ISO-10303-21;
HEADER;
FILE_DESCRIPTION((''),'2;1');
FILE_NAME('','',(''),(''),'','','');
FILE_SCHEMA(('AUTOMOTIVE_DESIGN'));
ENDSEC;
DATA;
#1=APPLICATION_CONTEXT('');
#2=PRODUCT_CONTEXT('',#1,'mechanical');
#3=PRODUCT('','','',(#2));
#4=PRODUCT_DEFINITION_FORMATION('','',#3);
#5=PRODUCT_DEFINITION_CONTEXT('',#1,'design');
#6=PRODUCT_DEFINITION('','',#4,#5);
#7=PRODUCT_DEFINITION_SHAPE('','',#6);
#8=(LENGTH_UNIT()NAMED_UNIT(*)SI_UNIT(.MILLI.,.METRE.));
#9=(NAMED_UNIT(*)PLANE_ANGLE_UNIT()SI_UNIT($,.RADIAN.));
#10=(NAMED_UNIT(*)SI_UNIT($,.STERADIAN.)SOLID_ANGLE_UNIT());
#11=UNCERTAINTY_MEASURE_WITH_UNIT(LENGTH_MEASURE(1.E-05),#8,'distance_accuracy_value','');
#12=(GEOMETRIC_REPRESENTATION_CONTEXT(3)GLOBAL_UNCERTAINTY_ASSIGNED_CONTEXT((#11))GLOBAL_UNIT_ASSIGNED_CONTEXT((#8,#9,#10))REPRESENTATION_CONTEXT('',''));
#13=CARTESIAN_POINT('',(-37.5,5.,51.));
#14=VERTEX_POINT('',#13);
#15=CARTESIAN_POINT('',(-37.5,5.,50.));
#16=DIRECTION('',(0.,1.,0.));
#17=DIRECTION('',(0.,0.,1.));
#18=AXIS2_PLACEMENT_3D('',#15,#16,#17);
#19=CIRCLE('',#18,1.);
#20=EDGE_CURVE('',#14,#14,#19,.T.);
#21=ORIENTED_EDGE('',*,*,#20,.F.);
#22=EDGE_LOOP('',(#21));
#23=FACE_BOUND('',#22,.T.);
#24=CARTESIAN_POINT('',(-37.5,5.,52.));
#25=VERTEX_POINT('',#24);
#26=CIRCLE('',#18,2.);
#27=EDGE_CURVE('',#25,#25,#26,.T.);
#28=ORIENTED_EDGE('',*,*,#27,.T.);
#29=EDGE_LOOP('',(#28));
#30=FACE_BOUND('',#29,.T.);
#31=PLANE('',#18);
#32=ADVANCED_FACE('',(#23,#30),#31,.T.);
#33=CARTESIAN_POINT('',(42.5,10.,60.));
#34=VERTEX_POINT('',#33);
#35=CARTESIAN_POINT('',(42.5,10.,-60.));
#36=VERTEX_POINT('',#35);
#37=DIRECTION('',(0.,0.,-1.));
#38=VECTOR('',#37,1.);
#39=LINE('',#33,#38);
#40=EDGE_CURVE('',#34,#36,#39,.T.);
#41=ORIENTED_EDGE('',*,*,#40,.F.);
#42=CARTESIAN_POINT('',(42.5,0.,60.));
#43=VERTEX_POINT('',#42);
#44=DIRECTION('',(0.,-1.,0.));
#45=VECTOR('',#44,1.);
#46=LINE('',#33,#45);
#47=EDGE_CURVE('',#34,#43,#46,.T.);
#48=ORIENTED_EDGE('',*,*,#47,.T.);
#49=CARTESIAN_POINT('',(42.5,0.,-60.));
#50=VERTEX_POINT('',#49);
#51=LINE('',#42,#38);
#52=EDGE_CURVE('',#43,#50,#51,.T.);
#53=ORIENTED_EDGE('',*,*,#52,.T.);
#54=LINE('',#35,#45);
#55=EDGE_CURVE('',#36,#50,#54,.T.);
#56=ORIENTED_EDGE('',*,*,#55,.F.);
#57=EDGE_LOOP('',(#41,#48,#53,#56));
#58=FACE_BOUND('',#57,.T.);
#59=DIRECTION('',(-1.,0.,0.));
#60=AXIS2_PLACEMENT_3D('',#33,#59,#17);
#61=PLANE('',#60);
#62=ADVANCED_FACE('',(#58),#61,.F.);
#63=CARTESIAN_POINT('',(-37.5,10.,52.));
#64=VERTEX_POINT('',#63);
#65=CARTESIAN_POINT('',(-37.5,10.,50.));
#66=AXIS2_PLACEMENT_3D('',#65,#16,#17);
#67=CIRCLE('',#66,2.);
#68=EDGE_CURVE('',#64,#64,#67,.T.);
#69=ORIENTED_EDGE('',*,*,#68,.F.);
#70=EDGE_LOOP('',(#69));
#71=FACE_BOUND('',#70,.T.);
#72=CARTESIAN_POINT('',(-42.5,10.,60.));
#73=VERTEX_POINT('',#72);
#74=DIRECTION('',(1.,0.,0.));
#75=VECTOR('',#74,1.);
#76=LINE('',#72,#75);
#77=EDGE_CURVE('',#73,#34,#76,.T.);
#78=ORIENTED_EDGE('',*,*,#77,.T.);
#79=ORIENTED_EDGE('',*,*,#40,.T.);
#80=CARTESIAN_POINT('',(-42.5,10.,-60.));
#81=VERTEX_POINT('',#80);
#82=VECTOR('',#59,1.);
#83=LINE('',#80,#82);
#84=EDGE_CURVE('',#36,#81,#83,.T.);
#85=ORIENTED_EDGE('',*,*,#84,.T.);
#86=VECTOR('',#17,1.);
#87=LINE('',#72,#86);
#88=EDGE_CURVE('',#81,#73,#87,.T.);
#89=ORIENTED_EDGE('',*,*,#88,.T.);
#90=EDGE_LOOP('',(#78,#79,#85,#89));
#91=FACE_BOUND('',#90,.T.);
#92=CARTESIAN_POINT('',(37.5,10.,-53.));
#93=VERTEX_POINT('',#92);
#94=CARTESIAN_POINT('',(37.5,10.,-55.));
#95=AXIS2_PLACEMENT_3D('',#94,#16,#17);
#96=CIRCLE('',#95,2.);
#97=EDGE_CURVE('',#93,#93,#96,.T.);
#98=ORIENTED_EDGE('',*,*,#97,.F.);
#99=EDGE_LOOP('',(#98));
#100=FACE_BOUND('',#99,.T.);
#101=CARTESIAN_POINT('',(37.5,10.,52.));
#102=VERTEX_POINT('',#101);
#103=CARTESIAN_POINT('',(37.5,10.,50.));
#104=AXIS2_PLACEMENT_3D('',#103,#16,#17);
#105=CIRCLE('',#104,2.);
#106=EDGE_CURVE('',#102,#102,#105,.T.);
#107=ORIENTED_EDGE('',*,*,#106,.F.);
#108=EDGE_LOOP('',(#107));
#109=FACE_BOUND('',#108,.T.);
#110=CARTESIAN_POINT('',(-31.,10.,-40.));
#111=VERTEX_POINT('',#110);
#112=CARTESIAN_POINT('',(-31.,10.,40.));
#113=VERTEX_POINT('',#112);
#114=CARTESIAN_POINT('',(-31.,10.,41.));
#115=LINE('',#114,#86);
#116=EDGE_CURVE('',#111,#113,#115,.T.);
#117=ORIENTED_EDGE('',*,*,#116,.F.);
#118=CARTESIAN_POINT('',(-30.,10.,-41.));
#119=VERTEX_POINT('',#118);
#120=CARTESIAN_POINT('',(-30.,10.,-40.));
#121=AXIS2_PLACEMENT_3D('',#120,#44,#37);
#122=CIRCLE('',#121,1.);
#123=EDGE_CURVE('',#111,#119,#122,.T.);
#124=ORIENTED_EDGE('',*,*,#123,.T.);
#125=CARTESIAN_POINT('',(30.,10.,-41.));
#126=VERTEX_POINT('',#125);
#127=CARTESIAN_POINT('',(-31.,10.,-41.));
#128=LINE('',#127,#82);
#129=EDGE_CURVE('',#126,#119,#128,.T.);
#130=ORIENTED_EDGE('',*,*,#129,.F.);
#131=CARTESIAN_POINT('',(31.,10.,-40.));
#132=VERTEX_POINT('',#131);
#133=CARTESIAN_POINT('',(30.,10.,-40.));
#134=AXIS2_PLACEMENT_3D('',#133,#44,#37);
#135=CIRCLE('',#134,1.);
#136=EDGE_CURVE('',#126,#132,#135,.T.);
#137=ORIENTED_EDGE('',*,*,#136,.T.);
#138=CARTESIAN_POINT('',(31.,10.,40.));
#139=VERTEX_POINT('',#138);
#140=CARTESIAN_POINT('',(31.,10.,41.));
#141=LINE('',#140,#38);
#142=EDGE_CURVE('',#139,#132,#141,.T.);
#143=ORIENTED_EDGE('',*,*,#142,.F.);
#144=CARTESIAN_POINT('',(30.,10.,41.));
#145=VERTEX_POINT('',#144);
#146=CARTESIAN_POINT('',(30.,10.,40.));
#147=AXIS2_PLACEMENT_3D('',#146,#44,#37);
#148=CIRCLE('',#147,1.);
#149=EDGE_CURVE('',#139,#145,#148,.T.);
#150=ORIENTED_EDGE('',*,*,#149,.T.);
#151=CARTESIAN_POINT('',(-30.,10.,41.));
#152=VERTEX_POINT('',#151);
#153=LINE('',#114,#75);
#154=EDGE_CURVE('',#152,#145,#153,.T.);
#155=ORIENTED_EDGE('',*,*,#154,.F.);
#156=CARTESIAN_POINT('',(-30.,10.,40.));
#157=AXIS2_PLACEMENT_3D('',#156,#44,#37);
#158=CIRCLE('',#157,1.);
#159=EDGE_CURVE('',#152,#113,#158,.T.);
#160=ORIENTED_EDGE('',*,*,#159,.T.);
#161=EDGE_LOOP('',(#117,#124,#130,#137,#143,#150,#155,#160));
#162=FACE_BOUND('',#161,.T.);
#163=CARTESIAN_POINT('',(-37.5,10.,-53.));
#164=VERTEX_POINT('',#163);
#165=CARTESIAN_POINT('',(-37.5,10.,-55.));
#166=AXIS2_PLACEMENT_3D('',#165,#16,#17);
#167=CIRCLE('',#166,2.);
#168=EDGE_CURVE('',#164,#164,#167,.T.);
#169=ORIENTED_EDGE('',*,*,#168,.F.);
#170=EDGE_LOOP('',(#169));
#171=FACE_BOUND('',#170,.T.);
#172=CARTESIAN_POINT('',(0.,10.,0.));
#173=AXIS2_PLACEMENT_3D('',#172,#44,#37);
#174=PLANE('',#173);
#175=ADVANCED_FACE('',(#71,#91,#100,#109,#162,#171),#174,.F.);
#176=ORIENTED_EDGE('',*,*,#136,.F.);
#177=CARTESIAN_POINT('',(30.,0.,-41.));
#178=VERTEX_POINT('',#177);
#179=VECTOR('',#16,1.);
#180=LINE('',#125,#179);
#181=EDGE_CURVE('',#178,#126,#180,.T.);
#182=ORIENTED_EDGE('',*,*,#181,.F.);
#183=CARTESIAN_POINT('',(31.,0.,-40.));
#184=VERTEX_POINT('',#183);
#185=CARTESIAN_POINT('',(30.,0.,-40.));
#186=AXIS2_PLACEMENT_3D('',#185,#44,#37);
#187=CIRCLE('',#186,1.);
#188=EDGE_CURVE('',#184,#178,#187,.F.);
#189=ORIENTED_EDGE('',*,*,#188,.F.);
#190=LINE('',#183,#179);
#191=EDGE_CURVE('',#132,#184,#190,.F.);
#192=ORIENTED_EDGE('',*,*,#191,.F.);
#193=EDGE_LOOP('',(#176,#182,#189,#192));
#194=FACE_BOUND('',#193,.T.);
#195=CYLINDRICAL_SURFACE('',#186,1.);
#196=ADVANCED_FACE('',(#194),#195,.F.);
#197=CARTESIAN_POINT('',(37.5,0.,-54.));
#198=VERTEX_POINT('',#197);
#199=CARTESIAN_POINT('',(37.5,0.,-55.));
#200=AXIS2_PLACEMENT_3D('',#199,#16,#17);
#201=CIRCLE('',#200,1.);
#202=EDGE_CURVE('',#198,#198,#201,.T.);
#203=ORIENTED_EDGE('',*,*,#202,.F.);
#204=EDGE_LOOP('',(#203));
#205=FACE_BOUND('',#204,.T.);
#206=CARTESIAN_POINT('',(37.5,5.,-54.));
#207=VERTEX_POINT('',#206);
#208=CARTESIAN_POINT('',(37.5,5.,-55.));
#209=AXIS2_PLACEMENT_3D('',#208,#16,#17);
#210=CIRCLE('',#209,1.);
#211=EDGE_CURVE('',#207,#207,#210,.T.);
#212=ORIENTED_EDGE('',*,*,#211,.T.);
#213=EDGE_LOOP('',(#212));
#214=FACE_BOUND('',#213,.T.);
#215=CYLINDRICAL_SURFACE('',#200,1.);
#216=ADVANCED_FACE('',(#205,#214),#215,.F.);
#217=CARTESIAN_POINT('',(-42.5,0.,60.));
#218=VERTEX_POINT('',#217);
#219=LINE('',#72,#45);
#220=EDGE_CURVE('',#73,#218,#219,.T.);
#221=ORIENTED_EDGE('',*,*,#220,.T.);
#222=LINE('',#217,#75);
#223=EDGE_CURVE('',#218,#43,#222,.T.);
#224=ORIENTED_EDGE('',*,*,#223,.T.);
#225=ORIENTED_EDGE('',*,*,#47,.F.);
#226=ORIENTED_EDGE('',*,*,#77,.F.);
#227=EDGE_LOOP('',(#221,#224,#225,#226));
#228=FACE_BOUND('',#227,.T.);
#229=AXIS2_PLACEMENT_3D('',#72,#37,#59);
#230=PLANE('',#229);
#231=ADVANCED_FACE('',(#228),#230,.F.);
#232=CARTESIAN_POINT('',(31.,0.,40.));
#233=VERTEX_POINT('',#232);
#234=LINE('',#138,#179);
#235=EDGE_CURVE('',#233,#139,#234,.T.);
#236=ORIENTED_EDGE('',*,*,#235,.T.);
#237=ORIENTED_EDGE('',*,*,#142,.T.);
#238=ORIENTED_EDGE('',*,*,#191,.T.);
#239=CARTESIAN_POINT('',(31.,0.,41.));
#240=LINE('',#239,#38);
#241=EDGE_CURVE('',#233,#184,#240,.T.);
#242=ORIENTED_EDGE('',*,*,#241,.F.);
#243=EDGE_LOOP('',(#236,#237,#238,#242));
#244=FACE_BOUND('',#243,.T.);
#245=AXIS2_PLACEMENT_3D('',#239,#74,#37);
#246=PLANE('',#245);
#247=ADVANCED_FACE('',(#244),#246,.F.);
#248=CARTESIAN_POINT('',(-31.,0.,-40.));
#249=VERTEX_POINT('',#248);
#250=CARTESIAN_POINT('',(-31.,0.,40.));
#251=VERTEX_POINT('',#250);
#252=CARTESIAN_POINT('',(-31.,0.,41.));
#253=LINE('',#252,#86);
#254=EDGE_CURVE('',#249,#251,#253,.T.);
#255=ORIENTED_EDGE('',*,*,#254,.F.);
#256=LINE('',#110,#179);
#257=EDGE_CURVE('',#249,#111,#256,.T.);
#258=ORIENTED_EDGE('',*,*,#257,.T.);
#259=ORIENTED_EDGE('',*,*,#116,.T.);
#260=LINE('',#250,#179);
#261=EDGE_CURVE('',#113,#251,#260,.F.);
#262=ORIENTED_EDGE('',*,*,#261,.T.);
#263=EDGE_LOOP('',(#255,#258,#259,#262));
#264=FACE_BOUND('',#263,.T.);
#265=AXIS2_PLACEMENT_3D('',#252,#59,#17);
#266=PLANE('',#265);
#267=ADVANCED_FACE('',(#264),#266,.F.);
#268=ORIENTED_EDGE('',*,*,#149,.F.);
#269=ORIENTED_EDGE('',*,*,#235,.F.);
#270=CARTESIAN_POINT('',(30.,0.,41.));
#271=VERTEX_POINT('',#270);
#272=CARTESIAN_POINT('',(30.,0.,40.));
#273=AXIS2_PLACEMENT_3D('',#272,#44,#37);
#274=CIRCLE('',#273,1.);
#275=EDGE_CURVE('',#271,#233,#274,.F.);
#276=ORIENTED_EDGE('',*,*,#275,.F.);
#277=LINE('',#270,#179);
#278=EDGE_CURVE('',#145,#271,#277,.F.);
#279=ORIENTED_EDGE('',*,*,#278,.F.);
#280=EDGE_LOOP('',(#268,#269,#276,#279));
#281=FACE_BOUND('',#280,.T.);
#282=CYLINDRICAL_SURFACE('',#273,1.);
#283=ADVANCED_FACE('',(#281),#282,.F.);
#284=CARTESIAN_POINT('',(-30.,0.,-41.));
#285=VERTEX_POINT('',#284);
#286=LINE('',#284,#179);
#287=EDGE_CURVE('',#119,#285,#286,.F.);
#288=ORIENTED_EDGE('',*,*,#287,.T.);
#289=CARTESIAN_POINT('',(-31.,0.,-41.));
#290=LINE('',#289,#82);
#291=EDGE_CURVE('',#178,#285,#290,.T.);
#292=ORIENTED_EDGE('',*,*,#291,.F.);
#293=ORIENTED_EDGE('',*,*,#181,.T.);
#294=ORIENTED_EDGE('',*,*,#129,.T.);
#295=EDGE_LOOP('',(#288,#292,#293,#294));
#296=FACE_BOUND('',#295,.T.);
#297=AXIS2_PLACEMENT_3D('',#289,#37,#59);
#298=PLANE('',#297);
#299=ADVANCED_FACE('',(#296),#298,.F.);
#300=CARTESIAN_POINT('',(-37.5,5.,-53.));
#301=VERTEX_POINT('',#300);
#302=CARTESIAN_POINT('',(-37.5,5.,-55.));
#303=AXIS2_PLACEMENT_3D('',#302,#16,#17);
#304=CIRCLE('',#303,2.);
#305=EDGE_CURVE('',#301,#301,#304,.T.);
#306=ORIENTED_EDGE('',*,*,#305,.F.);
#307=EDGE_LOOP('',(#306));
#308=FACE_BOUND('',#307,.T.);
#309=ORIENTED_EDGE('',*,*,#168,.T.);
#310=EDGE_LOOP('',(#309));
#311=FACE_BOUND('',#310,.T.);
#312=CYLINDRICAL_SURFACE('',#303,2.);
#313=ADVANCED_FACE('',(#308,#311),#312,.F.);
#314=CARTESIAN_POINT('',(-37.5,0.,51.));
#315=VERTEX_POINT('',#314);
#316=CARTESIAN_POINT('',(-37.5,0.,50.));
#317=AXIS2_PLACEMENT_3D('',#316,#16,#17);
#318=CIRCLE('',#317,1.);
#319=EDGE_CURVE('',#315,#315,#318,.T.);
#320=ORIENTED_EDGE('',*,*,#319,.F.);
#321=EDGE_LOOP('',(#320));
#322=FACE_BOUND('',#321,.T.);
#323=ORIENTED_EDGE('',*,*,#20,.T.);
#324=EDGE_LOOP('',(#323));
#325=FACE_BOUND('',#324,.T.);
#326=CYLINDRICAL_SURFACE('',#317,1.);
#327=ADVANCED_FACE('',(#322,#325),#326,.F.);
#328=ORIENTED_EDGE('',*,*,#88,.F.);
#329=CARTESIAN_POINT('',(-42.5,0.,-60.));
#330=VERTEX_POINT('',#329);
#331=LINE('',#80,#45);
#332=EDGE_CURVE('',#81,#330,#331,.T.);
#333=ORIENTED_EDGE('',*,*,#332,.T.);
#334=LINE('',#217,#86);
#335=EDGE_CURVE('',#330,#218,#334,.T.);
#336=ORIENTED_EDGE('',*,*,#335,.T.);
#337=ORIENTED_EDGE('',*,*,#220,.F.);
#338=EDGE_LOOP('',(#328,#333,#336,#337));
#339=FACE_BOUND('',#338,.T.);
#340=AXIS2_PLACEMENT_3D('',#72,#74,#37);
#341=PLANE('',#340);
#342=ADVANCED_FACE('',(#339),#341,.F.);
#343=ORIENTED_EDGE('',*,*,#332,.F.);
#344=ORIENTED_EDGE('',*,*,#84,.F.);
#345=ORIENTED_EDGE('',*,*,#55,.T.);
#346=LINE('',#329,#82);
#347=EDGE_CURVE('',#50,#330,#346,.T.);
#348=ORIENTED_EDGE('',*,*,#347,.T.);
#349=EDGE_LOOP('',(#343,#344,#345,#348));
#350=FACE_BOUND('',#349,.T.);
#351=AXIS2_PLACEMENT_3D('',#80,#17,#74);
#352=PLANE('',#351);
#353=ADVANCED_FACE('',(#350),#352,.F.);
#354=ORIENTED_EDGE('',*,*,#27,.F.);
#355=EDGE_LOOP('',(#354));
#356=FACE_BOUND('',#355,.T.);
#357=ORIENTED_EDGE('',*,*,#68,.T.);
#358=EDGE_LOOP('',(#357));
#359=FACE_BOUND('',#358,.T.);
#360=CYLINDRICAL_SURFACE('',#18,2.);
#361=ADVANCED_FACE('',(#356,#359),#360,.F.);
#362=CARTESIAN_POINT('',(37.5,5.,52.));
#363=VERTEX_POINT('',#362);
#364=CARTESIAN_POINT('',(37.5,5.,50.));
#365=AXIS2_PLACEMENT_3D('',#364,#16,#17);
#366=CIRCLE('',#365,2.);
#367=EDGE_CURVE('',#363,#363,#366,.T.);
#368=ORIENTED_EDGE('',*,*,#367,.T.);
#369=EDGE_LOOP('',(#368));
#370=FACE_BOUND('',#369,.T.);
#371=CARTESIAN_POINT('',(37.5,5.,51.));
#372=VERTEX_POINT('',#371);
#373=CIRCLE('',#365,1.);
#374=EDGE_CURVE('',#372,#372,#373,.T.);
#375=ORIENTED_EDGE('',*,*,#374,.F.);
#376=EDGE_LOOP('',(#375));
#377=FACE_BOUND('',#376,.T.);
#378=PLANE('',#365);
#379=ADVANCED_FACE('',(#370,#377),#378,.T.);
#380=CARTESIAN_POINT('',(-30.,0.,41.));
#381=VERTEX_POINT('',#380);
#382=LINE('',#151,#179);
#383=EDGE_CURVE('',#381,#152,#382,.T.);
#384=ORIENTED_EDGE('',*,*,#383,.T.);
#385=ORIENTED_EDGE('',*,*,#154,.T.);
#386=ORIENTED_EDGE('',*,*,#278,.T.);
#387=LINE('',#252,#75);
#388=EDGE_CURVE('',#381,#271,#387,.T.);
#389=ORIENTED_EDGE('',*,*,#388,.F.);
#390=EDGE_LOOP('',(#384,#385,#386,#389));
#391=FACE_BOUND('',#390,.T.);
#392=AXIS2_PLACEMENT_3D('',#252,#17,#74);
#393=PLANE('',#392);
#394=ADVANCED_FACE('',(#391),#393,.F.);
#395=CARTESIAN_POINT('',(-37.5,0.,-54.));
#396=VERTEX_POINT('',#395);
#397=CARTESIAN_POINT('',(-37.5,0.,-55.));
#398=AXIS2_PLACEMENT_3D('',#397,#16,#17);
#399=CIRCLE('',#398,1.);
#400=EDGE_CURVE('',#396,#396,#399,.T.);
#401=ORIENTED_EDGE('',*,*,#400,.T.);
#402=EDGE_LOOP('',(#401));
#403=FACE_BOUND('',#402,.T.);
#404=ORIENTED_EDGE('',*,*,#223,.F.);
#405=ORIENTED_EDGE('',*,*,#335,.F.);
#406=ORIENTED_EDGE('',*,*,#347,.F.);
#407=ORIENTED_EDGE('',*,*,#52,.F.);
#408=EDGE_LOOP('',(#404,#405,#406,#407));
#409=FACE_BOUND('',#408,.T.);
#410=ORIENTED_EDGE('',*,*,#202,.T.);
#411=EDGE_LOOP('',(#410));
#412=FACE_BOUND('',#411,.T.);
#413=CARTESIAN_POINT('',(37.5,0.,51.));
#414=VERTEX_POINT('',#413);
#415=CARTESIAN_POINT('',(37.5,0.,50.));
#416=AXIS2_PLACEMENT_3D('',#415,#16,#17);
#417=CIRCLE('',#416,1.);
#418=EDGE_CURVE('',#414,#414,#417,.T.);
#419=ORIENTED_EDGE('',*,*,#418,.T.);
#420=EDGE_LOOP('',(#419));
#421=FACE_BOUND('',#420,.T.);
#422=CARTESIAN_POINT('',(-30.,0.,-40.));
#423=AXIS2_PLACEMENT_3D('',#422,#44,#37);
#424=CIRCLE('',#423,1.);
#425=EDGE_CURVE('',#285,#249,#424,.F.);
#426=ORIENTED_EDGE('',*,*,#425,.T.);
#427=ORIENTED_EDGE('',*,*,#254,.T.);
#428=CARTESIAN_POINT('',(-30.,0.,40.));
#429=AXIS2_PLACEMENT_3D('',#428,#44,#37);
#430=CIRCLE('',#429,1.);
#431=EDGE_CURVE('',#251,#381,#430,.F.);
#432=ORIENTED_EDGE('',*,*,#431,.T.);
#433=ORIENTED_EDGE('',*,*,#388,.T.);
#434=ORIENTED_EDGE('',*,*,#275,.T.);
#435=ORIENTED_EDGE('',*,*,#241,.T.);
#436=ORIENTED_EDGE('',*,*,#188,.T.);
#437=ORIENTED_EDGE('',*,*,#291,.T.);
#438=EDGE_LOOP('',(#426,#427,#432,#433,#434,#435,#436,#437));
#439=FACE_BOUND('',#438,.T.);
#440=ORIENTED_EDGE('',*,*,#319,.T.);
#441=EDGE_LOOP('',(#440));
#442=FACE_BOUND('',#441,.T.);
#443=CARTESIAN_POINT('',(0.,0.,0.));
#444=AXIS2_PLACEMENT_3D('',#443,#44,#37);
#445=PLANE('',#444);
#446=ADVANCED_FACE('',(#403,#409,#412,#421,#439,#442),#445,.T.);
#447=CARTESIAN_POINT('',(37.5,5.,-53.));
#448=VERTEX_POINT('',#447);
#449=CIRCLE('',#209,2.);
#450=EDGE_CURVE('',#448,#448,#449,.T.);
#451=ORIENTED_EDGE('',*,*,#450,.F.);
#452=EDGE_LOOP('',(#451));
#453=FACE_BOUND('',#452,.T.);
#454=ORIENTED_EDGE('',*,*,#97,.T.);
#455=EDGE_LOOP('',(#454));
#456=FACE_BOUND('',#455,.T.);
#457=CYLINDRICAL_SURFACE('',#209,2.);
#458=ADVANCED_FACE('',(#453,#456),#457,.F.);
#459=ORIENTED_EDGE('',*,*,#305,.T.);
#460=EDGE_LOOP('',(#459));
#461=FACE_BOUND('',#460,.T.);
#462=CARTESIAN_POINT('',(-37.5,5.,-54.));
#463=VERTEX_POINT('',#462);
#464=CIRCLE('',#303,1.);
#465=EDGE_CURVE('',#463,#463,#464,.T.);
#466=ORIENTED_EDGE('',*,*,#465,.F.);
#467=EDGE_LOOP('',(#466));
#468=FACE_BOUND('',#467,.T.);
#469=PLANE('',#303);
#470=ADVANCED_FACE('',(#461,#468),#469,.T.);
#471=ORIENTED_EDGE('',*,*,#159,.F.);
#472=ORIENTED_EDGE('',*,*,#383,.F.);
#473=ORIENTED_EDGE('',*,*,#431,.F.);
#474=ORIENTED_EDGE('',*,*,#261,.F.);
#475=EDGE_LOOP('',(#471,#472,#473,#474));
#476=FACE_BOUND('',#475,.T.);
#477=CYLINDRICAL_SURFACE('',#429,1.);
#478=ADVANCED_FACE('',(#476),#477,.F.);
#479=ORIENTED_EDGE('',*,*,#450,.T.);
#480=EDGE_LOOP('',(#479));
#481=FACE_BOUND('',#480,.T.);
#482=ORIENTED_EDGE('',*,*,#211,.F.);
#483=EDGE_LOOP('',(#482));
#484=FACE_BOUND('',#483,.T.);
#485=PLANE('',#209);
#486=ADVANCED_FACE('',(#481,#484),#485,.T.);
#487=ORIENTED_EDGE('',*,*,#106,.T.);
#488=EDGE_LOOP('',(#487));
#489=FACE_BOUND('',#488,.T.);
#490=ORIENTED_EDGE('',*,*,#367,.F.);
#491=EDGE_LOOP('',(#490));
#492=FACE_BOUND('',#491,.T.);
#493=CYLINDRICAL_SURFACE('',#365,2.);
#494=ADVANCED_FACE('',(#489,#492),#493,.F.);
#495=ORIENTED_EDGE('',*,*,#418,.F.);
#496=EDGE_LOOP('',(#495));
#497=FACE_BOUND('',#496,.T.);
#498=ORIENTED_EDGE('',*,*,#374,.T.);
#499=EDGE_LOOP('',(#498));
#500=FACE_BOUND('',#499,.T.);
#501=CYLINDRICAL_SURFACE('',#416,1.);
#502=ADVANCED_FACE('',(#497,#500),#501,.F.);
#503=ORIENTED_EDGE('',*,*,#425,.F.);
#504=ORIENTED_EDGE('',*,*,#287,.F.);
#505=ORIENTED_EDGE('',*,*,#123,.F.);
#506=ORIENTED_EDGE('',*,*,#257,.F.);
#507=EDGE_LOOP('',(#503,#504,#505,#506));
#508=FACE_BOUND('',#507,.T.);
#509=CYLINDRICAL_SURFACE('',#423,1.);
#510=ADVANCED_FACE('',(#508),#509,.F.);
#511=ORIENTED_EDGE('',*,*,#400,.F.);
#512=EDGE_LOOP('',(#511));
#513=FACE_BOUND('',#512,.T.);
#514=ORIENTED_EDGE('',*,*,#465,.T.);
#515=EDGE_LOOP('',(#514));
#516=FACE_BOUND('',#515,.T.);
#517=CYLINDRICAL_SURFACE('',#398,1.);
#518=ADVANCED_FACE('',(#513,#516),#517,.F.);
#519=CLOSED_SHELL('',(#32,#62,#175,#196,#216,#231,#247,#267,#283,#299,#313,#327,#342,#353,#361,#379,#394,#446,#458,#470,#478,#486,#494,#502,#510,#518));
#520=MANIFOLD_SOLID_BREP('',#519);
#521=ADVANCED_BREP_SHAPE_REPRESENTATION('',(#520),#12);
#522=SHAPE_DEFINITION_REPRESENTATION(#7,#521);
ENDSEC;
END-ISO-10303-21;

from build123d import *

# Parameters (mm, degrees)
SKETCH1_W           = 85
SKETCH1_H           = 120
BOSS_EXTRUDE1_DEPTH = 10
SKETCH2_W           = 62
SKETCH2_H           = 82
CUT_EXTRUDE1_DEPTH  = 10
FILLET1_R           = 1
SKETCH3_R           = 2
CUT_EXTRUDE2_DEPTH  = 5
SKETCH4_R           = 1
CUT_EXTRUDE3_DEPTH  = 5


with BuildPart() as part:
    # Sketch1 → Boss-Extrude1 (new body)
    with BuildSketch(Plane(origin=(0, 0, 0), x_dir=(1, 0, 0), z_dir=(0, 1, 0))):
        Rectangle(SKETCH1_W, SKETCH1_H)
    extrude(amount=BOSS_EXTRUDE1_DEPTH)

    # Sketch2 → Cut-Extrude1 (cut)
    with BuildSketch(Plane(origin=(0, 10, 0), x_dir=(1, 0, 0), z_dir=(0, 1, 0))):
        Rectangle(SKETCH2_W, SKETCH2_H)
    extrude(amount=-CUT_EXTRUDE1_DEPTH, mode=Mode.SUBTRACT)

    # Fillet1
    fillet1_edges = [part.edges().sort_by_distance(p)[0] for p in [
        (31, 5, -41),
        (31, 5, 41),
        (-31, 5, 41),
        (-31, 5, -41),
    ]]
    fillet(fillet1_edges, radius=FILLET1_R)

    # Sketch3 → Cut-Extrude2 (cut)
    with BuildSketch(Plane(origin=(0, 10, 0), x_dir=(1, 0, 0), z_dir=(0, 1, 0))):
        with Locations((-37.5, -50)):
            Circle(SKETCH3_R)
        with Locations((-37.5, 55)):
            Circle(SKETCH3_R)
        with Locations((37.5, 55)):
            Circle(SKETCH3_R)
        with Locations((37.5, -50)):
            Circle(SKETCH3_R)
    extrude(amount=-CUT_EXTRUDE2_DEPTH, mode=Mode.SUBTRACT)

    # Sketch4 → Cut-Extrude3 (cut)
    with BuildSketch(Plane(origin=(0, 5, 0), x_dir=(1, 0, 0), z_dir=(0, 1, 0))):
        with Locations((-37.5, -50)):
            Circle(SKETCH4_R)
        with Locations((37.5, -50)):
            Circle(SKETCH4_R)
        with Locations((37.5, 55)):
            Circle(SKETCH4_R)
        with Locations((-37.5, 55)):
            Circle(SKETCH4_R)
    extrude(amount=-CUT_EXTRUDE3_DEPTH, mode=Mode.SUBTRACT)


solid = part.part
